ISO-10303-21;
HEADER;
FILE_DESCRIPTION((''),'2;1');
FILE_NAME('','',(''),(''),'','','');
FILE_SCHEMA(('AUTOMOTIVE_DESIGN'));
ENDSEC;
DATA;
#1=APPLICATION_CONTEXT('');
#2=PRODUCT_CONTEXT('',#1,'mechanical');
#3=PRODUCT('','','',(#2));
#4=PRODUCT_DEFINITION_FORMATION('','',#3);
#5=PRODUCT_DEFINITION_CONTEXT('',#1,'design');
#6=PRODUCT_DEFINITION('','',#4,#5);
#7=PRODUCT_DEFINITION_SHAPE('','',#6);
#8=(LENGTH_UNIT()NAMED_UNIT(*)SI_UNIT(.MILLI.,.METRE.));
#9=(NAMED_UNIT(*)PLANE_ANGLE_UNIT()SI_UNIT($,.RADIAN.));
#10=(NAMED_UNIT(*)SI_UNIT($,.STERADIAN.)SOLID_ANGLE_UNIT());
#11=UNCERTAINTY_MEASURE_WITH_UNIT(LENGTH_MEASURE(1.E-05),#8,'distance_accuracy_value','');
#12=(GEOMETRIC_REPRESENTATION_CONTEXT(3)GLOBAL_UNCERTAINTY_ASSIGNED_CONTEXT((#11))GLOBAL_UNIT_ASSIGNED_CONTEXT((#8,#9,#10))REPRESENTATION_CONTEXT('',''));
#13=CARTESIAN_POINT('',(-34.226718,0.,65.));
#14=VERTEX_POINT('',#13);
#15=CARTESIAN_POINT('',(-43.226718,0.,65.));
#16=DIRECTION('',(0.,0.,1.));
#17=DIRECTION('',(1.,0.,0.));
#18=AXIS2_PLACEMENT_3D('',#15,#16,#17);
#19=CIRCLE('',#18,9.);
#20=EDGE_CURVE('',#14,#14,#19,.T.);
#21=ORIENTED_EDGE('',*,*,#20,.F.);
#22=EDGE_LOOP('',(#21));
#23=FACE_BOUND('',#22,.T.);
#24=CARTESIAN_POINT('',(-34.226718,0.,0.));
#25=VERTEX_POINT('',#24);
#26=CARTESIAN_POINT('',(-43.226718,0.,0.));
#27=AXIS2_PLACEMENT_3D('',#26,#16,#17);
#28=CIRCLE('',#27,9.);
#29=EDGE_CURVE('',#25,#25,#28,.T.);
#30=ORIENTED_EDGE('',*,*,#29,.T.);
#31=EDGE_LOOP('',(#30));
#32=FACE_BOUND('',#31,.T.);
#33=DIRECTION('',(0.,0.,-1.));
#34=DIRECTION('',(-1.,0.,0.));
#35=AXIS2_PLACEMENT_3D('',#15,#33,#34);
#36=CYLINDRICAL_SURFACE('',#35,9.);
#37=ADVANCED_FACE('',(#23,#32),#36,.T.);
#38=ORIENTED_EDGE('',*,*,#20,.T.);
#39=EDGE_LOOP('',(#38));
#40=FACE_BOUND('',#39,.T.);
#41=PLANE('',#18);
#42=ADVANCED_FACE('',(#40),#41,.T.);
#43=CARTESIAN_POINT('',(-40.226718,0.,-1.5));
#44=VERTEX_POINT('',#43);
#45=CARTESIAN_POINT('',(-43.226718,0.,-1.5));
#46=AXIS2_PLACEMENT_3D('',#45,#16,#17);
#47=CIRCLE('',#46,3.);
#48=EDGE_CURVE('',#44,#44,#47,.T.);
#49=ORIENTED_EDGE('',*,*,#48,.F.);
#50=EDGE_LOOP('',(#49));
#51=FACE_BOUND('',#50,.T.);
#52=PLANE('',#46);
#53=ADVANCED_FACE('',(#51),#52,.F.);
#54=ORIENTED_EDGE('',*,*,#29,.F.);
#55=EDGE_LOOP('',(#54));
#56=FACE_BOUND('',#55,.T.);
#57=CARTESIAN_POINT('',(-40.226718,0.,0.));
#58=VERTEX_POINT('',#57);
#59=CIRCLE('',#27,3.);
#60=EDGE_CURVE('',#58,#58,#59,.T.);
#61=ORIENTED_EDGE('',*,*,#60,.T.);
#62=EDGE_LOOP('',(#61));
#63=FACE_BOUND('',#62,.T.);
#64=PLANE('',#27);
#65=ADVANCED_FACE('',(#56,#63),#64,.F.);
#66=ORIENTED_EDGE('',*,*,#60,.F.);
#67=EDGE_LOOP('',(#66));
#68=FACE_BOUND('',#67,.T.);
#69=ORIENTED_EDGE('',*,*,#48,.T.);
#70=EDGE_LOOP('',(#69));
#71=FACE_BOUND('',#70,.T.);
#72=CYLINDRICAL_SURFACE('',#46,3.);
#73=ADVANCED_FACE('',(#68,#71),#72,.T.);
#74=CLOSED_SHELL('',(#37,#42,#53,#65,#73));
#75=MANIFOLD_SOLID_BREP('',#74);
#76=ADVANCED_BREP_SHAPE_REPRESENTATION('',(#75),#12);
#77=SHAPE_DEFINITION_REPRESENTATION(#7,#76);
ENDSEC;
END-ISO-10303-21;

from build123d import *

# Parameters (mm, degrees)
SKETCH3_R           = 9
BOSS_EXTRUDE4_DEPTH = 65
SKETCH4_R           = 3
BOSS_EXTRUDE5_DEPTH = 1.5


with BuildPart() as part:
    # Sketch3 → Boss-Extrude4 (new body)
    with BuildSketch(Plane.XY):
        with Locations((-43.226718076, 0)):
            Circle(SKETCH3_R)
    extrude(amount=BOSS_EXTRUDE4_DEPTH)

    # Sketch4 → Boss-Extrude5 (add)
    with BuildSketch(Plane.XY):
        with Locations((-43.226718076, 0)):
            Circle(SKETCH4_R)
    extrude(amount=-BOSS_EXTRUDE5_DEPTH)


solid = part.part
